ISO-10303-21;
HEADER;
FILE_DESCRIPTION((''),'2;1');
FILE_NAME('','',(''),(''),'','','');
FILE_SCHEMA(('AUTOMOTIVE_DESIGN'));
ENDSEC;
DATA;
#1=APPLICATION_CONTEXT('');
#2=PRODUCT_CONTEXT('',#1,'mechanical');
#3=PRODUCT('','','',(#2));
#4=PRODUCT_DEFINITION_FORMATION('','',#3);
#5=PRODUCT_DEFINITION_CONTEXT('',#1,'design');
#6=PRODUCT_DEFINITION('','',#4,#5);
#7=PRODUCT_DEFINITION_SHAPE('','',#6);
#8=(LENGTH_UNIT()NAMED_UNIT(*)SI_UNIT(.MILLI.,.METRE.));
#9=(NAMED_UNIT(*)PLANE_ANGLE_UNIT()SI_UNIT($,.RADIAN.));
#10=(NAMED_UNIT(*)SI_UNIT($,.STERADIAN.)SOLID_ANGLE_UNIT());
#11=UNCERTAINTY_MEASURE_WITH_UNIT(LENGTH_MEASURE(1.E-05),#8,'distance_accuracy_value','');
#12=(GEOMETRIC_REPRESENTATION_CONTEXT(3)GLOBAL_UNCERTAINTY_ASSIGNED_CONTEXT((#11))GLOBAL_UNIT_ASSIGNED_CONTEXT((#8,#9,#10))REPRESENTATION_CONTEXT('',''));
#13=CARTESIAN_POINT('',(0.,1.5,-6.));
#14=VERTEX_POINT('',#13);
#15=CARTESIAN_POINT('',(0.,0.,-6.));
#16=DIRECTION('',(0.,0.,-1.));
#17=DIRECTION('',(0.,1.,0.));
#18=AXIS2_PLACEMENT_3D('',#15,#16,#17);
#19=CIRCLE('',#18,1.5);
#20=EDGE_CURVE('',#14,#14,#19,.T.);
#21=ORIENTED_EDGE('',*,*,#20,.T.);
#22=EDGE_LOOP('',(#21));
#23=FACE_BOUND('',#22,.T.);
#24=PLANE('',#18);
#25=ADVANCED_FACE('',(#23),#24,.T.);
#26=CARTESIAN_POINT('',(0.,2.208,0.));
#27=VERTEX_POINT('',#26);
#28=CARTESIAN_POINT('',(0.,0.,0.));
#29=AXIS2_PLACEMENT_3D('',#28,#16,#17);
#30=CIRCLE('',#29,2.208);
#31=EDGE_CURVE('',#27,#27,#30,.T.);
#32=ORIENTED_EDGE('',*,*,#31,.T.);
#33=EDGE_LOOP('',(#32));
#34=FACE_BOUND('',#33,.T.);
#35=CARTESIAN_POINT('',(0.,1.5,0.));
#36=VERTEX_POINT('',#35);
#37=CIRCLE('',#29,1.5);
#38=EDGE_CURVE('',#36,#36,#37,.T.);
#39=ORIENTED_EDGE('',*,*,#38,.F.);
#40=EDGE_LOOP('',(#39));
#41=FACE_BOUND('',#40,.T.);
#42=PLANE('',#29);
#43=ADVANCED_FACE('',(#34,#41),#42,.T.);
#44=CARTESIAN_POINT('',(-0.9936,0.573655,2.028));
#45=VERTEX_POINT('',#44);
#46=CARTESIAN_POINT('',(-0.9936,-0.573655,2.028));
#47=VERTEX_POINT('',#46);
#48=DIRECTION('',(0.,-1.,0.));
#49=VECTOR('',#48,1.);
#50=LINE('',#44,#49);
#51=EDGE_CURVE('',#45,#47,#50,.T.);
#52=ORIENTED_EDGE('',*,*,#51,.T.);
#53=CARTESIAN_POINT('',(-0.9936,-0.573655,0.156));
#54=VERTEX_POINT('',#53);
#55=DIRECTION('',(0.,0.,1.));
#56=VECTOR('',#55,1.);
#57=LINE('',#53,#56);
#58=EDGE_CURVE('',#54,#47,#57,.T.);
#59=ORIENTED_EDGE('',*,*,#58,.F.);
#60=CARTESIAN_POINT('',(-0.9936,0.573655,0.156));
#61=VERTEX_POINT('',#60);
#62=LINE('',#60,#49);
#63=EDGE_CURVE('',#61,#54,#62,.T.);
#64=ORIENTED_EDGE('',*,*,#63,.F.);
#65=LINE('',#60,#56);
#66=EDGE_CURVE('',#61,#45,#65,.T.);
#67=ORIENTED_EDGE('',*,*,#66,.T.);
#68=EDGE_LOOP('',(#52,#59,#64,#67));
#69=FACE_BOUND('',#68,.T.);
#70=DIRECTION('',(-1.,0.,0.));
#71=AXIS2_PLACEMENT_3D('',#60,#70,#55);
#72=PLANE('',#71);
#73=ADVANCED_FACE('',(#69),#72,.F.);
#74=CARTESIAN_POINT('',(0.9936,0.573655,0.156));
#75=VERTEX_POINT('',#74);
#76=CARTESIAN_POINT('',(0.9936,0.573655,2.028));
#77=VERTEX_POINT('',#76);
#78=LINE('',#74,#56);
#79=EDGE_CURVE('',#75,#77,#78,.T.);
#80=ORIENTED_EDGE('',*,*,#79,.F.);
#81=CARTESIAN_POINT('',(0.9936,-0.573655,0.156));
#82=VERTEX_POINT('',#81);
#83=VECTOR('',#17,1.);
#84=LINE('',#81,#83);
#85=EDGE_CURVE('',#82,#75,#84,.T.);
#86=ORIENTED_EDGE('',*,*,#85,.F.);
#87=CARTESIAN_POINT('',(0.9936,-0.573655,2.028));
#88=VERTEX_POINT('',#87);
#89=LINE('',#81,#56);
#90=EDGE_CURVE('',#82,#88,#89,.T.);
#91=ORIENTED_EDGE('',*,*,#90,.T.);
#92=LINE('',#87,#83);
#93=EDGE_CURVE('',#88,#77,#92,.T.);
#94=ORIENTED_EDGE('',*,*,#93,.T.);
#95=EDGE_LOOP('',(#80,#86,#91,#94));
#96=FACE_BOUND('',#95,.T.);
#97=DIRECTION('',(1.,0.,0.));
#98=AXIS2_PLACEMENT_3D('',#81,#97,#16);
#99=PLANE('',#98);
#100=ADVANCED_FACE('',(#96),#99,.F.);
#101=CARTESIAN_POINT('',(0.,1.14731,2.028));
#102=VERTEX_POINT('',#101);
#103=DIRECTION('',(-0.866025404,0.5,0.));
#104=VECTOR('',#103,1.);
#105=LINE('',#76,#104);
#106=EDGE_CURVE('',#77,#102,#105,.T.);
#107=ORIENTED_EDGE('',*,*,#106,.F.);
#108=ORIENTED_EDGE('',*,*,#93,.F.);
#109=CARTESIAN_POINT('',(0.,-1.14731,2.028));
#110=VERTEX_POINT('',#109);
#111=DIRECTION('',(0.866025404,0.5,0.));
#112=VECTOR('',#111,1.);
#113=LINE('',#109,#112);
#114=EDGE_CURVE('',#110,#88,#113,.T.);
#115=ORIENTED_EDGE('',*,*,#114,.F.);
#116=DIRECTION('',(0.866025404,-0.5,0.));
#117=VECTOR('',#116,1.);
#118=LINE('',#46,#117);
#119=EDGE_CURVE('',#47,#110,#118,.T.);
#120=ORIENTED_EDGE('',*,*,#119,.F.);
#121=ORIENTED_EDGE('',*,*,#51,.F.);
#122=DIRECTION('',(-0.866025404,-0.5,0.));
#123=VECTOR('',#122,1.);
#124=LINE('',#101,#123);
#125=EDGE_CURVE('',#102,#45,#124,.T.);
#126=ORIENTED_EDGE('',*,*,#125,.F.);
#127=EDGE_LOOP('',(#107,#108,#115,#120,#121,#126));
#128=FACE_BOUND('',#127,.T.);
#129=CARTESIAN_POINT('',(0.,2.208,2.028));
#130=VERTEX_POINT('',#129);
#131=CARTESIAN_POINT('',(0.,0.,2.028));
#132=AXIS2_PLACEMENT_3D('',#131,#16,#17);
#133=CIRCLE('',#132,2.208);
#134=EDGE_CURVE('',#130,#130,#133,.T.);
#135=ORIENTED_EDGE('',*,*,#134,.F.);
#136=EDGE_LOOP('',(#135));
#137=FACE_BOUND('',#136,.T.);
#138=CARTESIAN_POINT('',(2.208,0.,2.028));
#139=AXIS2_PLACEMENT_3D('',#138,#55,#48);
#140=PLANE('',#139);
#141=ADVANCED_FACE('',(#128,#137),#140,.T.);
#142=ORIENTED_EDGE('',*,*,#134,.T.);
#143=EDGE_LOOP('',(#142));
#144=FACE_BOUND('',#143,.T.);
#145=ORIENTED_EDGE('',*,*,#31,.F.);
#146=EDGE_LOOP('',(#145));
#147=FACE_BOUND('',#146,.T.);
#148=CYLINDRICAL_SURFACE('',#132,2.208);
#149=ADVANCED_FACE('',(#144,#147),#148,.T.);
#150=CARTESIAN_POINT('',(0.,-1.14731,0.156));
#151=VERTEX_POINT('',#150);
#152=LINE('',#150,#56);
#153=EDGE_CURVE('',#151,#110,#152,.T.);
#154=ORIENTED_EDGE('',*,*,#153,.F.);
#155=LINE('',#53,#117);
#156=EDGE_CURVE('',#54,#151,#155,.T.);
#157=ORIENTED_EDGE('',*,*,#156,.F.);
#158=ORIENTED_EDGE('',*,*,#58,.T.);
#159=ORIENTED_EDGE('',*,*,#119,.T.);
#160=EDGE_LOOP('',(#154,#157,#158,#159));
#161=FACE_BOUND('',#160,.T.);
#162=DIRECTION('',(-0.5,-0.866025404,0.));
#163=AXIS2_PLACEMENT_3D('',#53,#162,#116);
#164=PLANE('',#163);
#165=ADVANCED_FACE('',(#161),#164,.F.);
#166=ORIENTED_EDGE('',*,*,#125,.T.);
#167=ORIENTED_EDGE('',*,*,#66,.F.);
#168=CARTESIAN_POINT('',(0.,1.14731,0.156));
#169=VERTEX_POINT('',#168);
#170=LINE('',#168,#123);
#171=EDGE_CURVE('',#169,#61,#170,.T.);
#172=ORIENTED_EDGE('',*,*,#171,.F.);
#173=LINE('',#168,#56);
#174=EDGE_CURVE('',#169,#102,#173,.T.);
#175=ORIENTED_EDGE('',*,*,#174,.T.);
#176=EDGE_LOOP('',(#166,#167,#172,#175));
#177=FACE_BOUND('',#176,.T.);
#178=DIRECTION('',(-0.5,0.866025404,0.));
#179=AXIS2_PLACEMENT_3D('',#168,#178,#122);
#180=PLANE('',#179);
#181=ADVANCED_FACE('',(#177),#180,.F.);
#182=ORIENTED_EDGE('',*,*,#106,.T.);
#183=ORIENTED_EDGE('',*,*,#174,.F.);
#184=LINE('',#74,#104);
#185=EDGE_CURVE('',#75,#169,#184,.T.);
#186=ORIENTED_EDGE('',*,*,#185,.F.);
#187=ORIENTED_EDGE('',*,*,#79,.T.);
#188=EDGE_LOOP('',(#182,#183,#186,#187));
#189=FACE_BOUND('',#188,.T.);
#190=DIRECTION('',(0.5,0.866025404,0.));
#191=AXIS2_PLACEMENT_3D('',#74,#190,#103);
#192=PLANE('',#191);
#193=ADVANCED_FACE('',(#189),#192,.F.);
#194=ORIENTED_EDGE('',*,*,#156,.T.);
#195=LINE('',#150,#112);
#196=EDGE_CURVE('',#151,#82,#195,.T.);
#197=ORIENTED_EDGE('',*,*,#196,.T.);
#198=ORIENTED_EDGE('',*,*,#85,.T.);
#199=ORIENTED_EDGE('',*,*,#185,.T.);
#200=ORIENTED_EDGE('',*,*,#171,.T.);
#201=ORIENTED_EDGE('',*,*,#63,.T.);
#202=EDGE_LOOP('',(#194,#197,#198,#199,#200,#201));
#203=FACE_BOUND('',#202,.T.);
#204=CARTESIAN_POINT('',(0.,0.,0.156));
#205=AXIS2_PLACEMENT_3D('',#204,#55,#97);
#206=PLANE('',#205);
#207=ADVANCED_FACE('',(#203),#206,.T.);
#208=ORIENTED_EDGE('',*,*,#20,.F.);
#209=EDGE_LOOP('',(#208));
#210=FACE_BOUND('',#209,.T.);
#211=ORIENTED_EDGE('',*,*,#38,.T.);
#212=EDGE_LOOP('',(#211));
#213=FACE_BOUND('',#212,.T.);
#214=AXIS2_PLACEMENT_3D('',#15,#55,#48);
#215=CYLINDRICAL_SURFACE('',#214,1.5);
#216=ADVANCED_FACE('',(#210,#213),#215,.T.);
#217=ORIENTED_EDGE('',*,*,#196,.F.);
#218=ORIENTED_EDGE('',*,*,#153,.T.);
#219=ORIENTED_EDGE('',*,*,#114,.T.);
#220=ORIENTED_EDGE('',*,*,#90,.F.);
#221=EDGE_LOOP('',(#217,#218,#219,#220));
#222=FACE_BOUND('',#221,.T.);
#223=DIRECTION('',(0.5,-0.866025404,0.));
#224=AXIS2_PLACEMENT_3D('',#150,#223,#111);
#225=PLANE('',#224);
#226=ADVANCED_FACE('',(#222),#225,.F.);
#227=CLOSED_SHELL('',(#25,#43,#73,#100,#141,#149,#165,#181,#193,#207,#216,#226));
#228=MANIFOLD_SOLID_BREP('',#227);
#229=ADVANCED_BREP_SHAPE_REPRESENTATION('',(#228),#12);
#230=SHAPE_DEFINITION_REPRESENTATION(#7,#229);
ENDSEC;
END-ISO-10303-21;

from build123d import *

# Parameters (mm, degrees)
SKETCH_1_W          = 2.208
SKETCH_1_H          = 2.028
SKETCH_2_R          = 1.5
EXTRUDE_1_DEPTH     = 6
CUT_EXTRUDE_1_DEPTH = 1.872


with BuildPart() as part:
    # 草图1 → 旋转1 (revolve)
    with BuildSketch(Plane.XZ, mode=Mode.PRIVATE) as revolve_1_sk:
        with Locations((1.104, 1.014)):
            Rectangle(SKETCH_1_W, SKETCH_1_H)
    revolve(revolve_1_sk.sketch.rotate(Axis((0, 0, 2.028), (0, 0, -1)), 270), axis=Axis((0, 0, 2.028), (0, 0, -1)))

    # 草图2 → 凸台-拉伸1 (add)
    with BuildSketch(Plane(origin=(0, 0, 0), x_dir=(-1, 0, 0), z_dir=(0, 0, -1))):
        with Locations(Location((0, 0, 0), (0, 0, 90))):
            Circle(SKETCH_2_R)
    extrude(amount=EXTRUDE_1_DEPTH)

    # 草图3 → 切除-拉伸1 (cut)
    with BuildSketch(Plane.XY.offset(2.028)):
        Polygon((0.9936, -0.573655227), (0.9936, 0.573655227), (0, 1.147310455), (-0.9936, 0.573655227), (-0.9936, -0.573655227), (0, -1.147310455), align=None)
    extrude(amount=-CUT_EXTRUDE_1_DEPTH, mode=Mode.SUBTRACT)


solid = part.part
